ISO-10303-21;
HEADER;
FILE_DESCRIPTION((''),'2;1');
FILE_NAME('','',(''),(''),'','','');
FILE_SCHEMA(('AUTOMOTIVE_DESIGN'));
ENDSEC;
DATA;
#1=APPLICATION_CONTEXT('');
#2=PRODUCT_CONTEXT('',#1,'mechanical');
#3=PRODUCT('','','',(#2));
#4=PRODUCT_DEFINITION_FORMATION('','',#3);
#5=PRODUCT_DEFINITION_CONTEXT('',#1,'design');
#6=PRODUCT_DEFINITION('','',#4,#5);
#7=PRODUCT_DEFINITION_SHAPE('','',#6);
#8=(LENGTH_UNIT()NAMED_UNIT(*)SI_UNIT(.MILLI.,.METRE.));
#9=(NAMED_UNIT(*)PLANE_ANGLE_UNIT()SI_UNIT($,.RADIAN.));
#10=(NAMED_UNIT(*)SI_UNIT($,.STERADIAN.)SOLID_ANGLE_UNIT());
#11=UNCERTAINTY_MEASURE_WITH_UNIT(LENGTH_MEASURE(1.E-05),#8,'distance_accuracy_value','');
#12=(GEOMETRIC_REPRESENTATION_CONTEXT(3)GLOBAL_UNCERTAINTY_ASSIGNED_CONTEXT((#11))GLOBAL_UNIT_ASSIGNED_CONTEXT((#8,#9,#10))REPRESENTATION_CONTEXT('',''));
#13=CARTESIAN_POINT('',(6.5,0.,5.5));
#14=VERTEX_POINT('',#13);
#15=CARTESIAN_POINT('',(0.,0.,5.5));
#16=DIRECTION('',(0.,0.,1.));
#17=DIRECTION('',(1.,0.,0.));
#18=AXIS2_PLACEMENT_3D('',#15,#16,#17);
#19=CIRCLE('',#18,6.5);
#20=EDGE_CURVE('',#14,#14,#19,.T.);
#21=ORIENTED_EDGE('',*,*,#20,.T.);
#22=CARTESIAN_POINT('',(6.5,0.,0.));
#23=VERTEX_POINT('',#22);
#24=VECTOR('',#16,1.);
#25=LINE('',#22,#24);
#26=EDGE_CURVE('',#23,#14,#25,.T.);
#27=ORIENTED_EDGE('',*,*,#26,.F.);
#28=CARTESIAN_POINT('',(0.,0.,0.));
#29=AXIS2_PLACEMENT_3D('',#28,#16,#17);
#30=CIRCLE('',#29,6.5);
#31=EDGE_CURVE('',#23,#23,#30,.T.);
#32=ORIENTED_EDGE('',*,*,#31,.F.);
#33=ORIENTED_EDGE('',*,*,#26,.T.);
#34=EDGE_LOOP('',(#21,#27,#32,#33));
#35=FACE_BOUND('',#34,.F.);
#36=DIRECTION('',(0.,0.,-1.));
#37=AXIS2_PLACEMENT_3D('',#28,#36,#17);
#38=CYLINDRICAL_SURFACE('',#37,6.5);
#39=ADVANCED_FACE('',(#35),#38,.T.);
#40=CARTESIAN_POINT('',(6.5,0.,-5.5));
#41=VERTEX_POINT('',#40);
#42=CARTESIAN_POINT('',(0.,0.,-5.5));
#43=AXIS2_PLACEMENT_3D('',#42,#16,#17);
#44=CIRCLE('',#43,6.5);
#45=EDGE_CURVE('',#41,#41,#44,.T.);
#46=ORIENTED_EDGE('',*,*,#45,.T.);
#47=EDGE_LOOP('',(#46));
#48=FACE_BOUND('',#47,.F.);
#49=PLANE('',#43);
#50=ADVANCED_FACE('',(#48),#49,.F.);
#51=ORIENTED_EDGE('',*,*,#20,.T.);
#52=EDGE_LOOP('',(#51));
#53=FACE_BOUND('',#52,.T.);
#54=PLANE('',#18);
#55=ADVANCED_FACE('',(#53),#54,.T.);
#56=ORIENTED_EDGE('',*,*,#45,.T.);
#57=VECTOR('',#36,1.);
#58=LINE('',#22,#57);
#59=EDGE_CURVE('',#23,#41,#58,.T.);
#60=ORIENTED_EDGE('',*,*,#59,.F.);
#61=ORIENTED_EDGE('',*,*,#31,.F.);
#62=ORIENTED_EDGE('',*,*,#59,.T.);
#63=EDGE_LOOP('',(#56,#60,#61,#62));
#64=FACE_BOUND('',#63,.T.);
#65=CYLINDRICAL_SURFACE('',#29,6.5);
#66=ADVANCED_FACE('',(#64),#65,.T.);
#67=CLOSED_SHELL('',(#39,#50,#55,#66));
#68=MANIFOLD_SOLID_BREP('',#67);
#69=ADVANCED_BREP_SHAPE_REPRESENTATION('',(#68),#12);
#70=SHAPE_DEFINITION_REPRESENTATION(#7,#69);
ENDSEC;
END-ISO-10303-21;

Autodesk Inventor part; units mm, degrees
ref_plane "YZ Plane" through (0, 0, 0) normal (1, 0, 0) x (0, 1, 0)
ref_plane "XZ Plane" through (0, 0, 0) normal (0, 1, 0) x (-1, 0, 0)
ref_plane "XY Plane" through (0, 0, 0) normal (0, 0, 1) x (1, 0, 0)
sketch "Hauptskizze" plane through (0, 0, 0) normal (0, 0, 1) x (1, 0, 0)
  circle A0 centre (0, 0) radius 6.5
  dimension "d0" = 13
extrude "Riemenscheibe" add sketch "Hauptskizze" along normal mid plane 11
equation "\"d0\" = da_D"
equation "\"d1\" = da_B"
equation "\"da_D\" = 13"
equation "\"da_B\" = 11"
properties part number "Flache Riemenscheibe4" material "Steel"
